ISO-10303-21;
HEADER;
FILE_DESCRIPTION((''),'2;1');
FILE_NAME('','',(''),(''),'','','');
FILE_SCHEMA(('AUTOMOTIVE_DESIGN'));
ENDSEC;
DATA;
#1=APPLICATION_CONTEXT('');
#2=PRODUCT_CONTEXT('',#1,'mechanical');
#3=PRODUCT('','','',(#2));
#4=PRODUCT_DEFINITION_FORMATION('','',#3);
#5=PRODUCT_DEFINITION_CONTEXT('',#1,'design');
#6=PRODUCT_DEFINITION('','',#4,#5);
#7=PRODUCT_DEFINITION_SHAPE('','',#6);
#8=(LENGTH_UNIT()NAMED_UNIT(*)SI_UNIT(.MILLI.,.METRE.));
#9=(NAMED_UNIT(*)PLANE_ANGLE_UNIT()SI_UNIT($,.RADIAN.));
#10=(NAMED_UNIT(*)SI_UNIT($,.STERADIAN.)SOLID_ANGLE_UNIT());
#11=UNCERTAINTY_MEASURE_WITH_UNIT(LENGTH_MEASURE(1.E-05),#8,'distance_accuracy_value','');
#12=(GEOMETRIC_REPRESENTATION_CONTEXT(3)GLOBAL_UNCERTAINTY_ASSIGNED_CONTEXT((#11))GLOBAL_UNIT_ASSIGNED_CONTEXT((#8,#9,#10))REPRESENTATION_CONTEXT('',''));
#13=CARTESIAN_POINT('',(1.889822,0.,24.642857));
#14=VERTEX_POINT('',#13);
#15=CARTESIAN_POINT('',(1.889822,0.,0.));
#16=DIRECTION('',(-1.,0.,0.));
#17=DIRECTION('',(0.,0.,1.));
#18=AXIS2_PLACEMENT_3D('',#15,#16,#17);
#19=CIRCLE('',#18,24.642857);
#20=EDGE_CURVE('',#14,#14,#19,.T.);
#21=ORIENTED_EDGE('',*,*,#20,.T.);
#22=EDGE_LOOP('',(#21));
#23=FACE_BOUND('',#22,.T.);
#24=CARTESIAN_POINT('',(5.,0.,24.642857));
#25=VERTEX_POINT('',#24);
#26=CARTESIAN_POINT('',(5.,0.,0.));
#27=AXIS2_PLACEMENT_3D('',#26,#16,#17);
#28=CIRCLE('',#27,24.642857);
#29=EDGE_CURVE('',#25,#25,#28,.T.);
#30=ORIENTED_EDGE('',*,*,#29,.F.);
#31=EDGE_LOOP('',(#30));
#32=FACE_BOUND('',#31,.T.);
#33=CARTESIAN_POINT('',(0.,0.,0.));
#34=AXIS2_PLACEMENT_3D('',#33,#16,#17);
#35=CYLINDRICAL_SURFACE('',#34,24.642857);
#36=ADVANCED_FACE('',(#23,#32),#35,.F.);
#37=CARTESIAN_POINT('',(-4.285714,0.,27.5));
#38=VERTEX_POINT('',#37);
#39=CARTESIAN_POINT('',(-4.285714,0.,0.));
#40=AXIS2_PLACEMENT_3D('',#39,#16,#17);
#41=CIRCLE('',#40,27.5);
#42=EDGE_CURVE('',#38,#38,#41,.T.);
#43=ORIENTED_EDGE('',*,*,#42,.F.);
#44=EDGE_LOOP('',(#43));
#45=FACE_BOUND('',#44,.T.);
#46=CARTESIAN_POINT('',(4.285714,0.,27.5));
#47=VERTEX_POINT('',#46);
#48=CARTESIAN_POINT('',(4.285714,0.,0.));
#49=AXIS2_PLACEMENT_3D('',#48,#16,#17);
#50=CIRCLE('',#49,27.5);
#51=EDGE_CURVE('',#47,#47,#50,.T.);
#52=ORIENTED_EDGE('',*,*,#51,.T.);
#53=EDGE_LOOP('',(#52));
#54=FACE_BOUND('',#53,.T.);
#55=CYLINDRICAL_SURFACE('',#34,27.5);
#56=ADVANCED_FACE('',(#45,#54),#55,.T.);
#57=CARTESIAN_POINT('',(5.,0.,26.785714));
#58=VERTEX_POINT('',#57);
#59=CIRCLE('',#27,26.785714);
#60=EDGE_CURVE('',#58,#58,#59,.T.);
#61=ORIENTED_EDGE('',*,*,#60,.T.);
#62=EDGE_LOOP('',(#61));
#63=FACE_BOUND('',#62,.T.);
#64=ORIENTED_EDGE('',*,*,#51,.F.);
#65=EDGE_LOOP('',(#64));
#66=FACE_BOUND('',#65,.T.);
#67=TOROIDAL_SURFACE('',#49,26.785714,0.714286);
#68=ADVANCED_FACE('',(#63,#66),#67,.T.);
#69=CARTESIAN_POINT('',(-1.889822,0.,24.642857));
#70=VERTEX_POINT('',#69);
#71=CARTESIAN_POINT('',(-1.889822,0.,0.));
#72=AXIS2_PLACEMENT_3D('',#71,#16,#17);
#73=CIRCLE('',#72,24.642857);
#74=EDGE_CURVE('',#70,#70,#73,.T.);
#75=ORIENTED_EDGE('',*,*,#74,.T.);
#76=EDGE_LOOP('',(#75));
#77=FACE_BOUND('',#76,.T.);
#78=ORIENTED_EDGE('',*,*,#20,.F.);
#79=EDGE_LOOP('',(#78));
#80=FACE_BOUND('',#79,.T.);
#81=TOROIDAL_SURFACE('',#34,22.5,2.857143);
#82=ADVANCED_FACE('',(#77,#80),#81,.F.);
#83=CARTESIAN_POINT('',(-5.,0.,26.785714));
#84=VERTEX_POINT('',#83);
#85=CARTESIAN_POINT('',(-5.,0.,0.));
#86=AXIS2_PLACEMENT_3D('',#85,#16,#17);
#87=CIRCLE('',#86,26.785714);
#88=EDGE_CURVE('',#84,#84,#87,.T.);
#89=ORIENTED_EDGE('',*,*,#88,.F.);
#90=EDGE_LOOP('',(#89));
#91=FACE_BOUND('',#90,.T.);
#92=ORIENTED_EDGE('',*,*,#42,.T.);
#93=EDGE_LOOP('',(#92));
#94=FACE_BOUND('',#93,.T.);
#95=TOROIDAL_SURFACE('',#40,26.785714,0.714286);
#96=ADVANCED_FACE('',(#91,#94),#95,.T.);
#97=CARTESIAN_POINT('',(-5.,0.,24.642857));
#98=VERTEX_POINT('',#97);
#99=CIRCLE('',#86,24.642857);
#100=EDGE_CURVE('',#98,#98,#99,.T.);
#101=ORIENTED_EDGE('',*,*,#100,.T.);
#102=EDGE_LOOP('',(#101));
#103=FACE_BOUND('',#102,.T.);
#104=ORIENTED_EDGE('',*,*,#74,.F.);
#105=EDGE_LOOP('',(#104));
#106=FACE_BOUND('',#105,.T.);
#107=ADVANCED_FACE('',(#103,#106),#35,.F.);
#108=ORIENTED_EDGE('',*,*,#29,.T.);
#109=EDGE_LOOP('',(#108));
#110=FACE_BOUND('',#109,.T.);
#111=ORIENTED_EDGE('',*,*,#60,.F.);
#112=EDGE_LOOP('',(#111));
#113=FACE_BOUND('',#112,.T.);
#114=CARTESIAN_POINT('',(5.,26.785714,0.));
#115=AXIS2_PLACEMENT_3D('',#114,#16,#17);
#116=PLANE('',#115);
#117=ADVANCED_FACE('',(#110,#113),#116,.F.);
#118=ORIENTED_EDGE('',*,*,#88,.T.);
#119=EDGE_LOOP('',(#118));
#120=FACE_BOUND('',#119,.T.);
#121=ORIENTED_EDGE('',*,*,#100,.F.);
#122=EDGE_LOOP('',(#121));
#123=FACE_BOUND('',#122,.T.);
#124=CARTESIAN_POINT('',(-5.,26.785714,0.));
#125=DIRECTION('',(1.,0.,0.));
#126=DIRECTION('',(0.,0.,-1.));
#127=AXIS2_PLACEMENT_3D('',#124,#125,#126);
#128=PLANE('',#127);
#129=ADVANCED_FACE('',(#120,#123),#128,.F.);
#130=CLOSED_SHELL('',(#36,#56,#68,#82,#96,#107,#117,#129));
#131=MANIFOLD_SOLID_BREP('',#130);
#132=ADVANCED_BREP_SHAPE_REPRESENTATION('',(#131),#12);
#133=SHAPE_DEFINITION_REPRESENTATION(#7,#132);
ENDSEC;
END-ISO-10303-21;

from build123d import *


with BuildPart() as part:
    # Esquisse1 → Base-Révolution (revolve)
    with BuildSketch(Plane.XY, mode=Mode.PRIVATE) as base_r_volution_sk:
        with BuildLine():
            Line((-4.285714286, 27.5), (4.285714286, 27.5))
            ThreePointArc((4.285714286, 27.5), (4.790790558, 27.290790558), (5, 26.785714286))
            Line((5, 26.785714286), (5, 24.642857143))
            Line((5, 24.642857143), (1.889822365, 24.642857143))
            ThreePointArc((1.889822365, 24.642857143), (0, 25.357142857), (-1.889822365, 24.642857143))
            Line((-1.889822365, 24.642857143), (-5, 24.642857143))
            Line((-5, 24.642857143), (-5, 26.785714286))
            ThreePointArc((-5, 26.785714286), (-4.790790558, 27.290790558), (-4.285714286, 27.5))
        make_face()
    revolve(base_r_volution_sk.sketch.rotate(Axis((0, 0, 0), (1, 0, 0)), 90), axis=Axis((0, 0, 0), (1, 0, 0)))


solid = part.part
